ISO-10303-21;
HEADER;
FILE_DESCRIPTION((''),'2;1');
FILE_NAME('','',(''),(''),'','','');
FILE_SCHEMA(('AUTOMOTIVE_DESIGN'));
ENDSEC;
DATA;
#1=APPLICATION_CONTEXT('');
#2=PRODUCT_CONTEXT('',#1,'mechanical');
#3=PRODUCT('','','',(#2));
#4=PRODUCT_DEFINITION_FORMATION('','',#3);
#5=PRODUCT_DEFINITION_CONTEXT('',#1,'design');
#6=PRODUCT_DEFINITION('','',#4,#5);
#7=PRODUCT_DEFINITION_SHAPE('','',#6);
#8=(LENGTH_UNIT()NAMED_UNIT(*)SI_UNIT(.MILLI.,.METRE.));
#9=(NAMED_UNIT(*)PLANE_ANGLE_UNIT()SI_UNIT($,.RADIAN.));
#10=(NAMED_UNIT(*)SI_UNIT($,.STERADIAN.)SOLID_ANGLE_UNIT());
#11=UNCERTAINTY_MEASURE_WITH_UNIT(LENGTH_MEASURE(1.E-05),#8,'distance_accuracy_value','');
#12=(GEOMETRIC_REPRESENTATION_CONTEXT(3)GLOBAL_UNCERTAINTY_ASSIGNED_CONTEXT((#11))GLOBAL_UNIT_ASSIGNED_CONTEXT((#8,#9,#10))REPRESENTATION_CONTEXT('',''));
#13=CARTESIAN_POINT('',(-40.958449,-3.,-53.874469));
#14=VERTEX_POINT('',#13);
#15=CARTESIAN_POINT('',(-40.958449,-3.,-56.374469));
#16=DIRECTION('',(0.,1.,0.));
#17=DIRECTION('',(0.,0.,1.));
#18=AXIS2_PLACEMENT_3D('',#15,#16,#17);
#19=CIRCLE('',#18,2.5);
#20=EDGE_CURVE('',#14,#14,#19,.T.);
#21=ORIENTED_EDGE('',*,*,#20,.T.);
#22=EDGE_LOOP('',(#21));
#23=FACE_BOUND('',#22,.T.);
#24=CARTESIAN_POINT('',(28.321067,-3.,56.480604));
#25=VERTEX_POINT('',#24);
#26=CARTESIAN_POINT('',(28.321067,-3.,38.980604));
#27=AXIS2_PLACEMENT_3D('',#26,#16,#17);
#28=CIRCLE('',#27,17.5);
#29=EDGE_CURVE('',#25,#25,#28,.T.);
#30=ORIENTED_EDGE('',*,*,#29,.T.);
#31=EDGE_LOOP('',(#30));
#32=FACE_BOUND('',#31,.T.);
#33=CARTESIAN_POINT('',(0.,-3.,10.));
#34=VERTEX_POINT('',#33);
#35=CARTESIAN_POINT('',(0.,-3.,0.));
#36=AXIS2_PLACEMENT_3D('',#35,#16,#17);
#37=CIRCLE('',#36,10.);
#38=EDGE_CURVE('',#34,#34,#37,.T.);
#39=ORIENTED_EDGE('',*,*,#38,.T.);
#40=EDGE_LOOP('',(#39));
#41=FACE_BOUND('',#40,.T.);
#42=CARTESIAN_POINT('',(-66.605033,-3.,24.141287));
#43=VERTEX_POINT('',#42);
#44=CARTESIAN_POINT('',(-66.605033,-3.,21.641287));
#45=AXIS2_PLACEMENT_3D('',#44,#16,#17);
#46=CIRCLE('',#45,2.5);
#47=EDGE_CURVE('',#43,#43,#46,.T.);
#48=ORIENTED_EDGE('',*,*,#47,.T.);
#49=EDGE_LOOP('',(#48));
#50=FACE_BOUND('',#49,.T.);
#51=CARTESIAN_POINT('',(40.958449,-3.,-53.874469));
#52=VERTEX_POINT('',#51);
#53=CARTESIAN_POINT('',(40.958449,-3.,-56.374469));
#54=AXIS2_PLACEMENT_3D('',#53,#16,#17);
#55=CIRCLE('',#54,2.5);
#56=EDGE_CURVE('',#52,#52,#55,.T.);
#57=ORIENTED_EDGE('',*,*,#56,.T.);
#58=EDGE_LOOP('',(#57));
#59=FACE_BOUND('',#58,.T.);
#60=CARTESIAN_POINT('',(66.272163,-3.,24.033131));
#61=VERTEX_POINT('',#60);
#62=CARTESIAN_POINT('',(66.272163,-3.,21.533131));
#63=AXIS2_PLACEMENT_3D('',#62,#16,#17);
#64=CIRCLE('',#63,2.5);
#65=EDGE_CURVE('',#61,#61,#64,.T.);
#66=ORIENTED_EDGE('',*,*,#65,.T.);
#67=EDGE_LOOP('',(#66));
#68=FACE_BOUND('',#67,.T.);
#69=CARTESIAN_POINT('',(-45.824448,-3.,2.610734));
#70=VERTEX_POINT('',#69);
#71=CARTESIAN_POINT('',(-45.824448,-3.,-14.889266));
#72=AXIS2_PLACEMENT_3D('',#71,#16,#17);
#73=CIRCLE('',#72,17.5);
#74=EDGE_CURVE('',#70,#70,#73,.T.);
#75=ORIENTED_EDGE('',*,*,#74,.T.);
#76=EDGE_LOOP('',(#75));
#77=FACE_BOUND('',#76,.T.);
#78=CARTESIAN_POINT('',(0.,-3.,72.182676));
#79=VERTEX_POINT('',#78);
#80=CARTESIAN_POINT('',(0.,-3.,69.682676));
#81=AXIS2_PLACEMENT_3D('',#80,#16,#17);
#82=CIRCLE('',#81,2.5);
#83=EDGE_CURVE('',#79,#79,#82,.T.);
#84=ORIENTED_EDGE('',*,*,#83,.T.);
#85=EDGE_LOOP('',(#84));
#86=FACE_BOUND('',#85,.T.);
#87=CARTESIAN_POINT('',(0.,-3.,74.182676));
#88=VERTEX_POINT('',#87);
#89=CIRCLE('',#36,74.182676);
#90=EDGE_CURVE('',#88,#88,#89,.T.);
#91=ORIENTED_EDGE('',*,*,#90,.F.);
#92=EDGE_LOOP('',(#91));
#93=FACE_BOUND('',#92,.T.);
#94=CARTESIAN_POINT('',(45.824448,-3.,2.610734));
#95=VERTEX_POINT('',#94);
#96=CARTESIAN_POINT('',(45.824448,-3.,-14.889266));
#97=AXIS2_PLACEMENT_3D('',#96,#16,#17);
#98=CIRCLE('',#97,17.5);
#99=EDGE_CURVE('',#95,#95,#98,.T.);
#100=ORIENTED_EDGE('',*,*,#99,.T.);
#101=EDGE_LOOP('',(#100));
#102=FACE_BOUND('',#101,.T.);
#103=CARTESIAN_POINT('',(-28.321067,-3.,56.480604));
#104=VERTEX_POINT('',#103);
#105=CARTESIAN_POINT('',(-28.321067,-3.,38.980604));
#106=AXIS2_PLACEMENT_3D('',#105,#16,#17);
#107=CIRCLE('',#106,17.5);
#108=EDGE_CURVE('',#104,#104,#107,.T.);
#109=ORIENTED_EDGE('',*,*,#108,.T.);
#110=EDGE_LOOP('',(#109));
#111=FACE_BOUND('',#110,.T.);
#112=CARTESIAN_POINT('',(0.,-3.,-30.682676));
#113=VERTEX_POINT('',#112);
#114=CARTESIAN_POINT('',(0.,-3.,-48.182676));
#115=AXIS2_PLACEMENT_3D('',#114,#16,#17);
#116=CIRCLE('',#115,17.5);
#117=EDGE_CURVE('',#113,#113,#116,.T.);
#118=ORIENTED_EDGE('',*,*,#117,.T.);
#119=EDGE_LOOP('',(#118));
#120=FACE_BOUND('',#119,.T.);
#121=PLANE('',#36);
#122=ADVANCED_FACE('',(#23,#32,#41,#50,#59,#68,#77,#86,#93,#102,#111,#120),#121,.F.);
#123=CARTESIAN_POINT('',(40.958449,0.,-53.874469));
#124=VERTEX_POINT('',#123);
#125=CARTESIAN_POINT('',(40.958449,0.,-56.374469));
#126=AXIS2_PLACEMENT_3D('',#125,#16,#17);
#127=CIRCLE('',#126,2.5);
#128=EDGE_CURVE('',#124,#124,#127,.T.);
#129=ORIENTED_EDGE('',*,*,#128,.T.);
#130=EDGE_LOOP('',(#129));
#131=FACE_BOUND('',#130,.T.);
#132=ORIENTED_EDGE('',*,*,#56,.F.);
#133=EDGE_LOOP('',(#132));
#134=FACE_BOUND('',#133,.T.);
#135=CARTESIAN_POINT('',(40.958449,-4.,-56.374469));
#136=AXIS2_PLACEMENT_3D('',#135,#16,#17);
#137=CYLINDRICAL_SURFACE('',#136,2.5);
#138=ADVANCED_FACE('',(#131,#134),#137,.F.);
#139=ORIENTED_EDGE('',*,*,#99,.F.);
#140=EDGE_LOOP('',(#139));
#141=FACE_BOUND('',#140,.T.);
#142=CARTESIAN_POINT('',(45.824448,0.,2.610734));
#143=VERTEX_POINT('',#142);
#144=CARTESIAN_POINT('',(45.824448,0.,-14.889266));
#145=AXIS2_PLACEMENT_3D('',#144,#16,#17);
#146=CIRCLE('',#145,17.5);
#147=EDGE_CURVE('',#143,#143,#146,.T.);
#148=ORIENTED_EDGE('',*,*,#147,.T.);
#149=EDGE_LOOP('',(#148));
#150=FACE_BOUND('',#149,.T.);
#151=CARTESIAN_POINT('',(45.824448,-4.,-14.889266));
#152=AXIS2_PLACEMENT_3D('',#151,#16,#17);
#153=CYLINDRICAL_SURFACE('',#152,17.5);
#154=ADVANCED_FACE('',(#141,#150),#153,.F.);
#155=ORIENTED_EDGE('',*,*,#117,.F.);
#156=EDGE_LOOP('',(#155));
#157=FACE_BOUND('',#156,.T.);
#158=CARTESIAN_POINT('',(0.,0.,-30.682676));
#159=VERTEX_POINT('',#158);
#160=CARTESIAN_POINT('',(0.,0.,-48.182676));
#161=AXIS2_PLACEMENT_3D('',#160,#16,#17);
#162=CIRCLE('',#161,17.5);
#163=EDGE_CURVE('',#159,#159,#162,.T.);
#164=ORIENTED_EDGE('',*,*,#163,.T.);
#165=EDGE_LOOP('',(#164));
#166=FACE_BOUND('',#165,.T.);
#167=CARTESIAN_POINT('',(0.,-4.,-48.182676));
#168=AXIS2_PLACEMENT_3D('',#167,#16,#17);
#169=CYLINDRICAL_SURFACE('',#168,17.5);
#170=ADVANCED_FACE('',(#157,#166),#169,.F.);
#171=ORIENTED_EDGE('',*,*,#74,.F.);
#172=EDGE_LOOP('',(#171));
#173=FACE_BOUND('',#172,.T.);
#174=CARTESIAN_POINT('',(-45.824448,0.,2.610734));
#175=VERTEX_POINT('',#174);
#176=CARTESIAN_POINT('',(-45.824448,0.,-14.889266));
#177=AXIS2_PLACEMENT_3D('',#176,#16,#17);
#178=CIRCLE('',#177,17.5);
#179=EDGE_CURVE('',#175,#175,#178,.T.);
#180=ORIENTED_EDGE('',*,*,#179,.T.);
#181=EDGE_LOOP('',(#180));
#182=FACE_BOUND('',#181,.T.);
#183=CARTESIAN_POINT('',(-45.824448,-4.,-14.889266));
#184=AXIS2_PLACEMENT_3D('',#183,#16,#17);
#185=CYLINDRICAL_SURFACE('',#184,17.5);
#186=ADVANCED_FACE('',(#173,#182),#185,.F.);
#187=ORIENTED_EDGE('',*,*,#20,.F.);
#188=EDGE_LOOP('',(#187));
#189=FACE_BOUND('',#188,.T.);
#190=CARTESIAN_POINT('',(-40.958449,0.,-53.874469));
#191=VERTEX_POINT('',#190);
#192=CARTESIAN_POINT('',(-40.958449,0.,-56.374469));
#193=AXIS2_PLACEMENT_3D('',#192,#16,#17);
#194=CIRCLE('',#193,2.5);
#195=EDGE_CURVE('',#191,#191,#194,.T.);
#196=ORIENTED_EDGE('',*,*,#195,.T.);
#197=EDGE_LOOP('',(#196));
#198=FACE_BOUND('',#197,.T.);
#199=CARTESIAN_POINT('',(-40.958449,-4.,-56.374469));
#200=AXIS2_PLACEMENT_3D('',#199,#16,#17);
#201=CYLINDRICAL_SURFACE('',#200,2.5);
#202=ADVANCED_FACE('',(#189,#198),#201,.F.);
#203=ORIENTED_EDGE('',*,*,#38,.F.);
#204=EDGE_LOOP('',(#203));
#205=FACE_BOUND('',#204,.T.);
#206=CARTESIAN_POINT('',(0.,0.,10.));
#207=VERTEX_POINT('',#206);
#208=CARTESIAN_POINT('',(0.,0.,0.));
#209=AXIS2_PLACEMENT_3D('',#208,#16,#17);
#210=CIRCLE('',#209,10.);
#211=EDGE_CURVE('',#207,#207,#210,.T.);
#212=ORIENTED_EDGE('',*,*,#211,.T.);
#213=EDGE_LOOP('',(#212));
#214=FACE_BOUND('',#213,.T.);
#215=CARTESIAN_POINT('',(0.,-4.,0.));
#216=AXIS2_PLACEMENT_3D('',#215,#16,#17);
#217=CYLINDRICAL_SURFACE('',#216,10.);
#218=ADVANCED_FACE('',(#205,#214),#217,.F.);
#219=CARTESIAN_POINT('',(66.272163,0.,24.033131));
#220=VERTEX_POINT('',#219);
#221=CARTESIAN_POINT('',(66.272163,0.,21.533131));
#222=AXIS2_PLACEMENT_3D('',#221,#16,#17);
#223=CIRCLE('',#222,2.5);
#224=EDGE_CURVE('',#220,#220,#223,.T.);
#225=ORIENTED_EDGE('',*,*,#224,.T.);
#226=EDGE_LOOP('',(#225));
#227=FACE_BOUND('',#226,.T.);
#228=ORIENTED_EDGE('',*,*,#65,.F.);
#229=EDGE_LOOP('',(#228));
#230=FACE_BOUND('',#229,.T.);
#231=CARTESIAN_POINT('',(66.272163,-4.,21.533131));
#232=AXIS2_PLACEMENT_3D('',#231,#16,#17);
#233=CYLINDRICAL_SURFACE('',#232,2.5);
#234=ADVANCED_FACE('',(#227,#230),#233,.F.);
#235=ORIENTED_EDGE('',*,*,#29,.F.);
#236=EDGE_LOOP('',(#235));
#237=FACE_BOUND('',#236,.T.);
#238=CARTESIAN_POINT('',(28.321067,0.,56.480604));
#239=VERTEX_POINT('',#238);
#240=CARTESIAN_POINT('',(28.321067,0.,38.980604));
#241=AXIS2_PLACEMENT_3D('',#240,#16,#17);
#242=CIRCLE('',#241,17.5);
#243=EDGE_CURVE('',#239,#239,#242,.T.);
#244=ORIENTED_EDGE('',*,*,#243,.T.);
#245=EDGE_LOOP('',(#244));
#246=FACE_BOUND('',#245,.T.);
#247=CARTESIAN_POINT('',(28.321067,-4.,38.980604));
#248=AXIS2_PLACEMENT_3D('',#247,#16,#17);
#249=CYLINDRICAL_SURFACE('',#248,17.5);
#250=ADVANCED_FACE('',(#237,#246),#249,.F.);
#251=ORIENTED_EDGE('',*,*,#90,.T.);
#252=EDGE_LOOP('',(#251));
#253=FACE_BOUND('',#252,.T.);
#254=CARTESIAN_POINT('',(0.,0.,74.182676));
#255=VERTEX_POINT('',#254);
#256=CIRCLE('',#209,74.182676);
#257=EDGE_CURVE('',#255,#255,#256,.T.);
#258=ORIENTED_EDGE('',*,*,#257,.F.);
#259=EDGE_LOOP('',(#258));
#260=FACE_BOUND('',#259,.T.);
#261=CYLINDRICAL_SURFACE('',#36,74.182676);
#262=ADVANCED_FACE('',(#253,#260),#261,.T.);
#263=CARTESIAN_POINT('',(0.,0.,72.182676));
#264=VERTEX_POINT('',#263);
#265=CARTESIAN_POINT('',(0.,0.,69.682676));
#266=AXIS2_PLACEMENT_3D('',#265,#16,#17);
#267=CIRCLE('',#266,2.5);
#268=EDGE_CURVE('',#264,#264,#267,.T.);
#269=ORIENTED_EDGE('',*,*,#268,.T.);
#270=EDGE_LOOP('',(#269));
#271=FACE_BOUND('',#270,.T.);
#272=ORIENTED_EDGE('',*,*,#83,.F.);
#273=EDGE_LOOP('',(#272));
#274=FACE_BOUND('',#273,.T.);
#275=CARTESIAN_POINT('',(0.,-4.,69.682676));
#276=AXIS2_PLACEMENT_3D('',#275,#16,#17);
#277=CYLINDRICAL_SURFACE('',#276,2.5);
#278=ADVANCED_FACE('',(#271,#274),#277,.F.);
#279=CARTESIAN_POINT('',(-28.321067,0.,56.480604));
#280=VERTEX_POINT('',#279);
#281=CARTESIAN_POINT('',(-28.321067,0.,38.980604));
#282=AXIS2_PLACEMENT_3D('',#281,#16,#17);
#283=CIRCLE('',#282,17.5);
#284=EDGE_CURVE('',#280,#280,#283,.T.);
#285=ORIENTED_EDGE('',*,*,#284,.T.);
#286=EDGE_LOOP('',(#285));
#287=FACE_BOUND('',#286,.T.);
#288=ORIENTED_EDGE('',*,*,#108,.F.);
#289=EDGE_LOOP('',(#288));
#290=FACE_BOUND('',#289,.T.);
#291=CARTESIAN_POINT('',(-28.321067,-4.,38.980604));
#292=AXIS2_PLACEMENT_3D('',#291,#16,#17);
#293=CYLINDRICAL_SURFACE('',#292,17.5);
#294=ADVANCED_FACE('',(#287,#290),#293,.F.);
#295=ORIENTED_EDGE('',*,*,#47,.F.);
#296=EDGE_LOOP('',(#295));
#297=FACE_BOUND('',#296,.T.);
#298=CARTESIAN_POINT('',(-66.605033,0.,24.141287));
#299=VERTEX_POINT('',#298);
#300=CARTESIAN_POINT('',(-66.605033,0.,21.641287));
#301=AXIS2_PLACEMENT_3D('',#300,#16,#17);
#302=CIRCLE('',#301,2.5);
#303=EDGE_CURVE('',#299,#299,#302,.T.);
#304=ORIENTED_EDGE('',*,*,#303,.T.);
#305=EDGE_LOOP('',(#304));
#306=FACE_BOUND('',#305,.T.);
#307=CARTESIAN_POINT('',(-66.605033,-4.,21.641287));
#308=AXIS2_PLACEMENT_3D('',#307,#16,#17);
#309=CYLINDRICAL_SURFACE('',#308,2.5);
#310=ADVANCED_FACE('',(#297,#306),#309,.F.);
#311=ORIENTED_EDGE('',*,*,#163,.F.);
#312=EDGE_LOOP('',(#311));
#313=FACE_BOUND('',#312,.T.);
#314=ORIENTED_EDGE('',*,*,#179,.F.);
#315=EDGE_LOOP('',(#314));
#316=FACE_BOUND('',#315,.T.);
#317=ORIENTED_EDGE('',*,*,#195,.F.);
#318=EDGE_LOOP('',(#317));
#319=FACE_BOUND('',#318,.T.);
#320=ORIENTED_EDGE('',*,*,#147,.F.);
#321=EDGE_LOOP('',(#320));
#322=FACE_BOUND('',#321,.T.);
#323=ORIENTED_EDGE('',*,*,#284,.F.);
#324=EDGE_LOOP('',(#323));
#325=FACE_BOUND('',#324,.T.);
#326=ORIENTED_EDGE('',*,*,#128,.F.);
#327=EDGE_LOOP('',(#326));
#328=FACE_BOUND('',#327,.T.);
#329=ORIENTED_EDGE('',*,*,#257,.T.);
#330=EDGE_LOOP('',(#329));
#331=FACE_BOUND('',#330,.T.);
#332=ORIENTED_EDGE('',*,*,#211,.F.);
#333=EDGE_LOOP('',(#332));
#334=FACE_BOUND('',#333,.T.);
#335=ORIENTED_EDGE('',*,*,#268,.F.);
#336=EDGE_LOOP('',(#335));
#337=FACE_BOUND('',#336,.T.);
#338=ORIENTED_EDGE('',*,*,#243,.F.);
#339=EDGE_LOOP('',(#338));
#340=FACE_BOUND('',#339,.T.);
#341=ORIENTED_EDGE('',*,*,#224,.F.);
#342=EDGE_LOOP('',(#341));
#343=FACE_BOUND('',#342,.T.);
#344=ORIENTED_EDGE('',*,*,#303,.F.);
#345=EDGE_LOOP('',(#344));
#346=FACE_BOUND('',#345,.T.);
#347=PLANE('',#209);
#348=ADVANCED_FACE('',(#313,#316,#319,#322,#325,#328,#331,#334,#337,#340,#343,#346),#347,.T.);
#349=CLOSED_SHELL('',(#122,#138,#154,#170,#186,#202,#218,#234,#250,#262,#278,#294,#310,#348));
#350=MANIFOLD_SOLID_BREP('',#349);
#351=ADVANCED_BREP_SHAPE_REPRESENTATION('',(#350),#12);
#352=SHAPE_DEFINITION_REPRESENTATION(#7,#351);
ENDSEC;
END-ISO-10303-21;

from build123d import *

# Parameters (mm, degrees)
SKETCH1_R           = 74.18267629
BOSS_EXTRUDE2_DEPTH = 3
SKETCH1_4_R         = 17.5
SKETCH1_4_R_2       = 10
CUT_EXTRUDE1_DEPTH  = 4
SKETCH1_5_R         = 2.5
CUT_EXTRUDE2_DEPTH  = 4


with BuildPart() as part:
    # Sketch1 → Boss-Extrude2 (new body)
    with BuildSketch(Plane(origin=(0, 0, 0), x_dir=(1, 0, 0), z_dir=(0, 1, 0))):
        Circle(SKETCH1_R)
    extrude(amount=-BOSS_EXTRUDE2_DEPTH)

    # Sketch1<4> → Cut-Extrude1 (cut)
    with BuildSketch(Plane(origin=(0, 0, 0), x_dir=(1, 0, 0), z_dir=(0, 1, 0))):
        with Locations((0, 48.18267629)):
            Circle(SKETCH1_4_R)
        with Locations((45.824448258, 14.889265808)):
            Circle(SKETCH1_4_R)
        with Locations((28.321066539, -38.980603953)):
            Circle(SKETCH1_4_R)
        with Locations((-28.321066539, -38.980603953)):
            Circle(SKETCH1_4_R)
        with Locations((-45.824448258, 14.889265808)):
            Circle(SKETCH1_4_R)
        Circle(SKETCH1_4_R_2)
    extrude(amount=-CUT_EXTRUDE1_DEPTH, mode=Mode.SUBTRACT)

    # Sketch1<5> → Cut-Extrude2 (cut)
    with BuildSketch(Plane(origin=(0, 0, 0), x_dir=(1, 0, 0), z_dir=(0, 1, 0))):
        with Locations((40.958449464, 56.374469332)):
            Circle(SKETCH1_5_R)
        with Locations((66.272163358, -21.533131187)):
            Circle(SKETCH1_5_R)
        with Locations((0, -69.68267629)):
            Circle(SKETCH1_5_R)
        with Locations((-66.605033139, -21.641287135)):
            Circle(SKETCH1_5_R)
        with Locations((-40.958449464, 56.374469332)):
            Circle(SKETCH1_5_R)
    extrude(amount=-CUT_EXTRUDE2_DEPTH, mode=Mode.SUBTRACT)


solid = part.part
